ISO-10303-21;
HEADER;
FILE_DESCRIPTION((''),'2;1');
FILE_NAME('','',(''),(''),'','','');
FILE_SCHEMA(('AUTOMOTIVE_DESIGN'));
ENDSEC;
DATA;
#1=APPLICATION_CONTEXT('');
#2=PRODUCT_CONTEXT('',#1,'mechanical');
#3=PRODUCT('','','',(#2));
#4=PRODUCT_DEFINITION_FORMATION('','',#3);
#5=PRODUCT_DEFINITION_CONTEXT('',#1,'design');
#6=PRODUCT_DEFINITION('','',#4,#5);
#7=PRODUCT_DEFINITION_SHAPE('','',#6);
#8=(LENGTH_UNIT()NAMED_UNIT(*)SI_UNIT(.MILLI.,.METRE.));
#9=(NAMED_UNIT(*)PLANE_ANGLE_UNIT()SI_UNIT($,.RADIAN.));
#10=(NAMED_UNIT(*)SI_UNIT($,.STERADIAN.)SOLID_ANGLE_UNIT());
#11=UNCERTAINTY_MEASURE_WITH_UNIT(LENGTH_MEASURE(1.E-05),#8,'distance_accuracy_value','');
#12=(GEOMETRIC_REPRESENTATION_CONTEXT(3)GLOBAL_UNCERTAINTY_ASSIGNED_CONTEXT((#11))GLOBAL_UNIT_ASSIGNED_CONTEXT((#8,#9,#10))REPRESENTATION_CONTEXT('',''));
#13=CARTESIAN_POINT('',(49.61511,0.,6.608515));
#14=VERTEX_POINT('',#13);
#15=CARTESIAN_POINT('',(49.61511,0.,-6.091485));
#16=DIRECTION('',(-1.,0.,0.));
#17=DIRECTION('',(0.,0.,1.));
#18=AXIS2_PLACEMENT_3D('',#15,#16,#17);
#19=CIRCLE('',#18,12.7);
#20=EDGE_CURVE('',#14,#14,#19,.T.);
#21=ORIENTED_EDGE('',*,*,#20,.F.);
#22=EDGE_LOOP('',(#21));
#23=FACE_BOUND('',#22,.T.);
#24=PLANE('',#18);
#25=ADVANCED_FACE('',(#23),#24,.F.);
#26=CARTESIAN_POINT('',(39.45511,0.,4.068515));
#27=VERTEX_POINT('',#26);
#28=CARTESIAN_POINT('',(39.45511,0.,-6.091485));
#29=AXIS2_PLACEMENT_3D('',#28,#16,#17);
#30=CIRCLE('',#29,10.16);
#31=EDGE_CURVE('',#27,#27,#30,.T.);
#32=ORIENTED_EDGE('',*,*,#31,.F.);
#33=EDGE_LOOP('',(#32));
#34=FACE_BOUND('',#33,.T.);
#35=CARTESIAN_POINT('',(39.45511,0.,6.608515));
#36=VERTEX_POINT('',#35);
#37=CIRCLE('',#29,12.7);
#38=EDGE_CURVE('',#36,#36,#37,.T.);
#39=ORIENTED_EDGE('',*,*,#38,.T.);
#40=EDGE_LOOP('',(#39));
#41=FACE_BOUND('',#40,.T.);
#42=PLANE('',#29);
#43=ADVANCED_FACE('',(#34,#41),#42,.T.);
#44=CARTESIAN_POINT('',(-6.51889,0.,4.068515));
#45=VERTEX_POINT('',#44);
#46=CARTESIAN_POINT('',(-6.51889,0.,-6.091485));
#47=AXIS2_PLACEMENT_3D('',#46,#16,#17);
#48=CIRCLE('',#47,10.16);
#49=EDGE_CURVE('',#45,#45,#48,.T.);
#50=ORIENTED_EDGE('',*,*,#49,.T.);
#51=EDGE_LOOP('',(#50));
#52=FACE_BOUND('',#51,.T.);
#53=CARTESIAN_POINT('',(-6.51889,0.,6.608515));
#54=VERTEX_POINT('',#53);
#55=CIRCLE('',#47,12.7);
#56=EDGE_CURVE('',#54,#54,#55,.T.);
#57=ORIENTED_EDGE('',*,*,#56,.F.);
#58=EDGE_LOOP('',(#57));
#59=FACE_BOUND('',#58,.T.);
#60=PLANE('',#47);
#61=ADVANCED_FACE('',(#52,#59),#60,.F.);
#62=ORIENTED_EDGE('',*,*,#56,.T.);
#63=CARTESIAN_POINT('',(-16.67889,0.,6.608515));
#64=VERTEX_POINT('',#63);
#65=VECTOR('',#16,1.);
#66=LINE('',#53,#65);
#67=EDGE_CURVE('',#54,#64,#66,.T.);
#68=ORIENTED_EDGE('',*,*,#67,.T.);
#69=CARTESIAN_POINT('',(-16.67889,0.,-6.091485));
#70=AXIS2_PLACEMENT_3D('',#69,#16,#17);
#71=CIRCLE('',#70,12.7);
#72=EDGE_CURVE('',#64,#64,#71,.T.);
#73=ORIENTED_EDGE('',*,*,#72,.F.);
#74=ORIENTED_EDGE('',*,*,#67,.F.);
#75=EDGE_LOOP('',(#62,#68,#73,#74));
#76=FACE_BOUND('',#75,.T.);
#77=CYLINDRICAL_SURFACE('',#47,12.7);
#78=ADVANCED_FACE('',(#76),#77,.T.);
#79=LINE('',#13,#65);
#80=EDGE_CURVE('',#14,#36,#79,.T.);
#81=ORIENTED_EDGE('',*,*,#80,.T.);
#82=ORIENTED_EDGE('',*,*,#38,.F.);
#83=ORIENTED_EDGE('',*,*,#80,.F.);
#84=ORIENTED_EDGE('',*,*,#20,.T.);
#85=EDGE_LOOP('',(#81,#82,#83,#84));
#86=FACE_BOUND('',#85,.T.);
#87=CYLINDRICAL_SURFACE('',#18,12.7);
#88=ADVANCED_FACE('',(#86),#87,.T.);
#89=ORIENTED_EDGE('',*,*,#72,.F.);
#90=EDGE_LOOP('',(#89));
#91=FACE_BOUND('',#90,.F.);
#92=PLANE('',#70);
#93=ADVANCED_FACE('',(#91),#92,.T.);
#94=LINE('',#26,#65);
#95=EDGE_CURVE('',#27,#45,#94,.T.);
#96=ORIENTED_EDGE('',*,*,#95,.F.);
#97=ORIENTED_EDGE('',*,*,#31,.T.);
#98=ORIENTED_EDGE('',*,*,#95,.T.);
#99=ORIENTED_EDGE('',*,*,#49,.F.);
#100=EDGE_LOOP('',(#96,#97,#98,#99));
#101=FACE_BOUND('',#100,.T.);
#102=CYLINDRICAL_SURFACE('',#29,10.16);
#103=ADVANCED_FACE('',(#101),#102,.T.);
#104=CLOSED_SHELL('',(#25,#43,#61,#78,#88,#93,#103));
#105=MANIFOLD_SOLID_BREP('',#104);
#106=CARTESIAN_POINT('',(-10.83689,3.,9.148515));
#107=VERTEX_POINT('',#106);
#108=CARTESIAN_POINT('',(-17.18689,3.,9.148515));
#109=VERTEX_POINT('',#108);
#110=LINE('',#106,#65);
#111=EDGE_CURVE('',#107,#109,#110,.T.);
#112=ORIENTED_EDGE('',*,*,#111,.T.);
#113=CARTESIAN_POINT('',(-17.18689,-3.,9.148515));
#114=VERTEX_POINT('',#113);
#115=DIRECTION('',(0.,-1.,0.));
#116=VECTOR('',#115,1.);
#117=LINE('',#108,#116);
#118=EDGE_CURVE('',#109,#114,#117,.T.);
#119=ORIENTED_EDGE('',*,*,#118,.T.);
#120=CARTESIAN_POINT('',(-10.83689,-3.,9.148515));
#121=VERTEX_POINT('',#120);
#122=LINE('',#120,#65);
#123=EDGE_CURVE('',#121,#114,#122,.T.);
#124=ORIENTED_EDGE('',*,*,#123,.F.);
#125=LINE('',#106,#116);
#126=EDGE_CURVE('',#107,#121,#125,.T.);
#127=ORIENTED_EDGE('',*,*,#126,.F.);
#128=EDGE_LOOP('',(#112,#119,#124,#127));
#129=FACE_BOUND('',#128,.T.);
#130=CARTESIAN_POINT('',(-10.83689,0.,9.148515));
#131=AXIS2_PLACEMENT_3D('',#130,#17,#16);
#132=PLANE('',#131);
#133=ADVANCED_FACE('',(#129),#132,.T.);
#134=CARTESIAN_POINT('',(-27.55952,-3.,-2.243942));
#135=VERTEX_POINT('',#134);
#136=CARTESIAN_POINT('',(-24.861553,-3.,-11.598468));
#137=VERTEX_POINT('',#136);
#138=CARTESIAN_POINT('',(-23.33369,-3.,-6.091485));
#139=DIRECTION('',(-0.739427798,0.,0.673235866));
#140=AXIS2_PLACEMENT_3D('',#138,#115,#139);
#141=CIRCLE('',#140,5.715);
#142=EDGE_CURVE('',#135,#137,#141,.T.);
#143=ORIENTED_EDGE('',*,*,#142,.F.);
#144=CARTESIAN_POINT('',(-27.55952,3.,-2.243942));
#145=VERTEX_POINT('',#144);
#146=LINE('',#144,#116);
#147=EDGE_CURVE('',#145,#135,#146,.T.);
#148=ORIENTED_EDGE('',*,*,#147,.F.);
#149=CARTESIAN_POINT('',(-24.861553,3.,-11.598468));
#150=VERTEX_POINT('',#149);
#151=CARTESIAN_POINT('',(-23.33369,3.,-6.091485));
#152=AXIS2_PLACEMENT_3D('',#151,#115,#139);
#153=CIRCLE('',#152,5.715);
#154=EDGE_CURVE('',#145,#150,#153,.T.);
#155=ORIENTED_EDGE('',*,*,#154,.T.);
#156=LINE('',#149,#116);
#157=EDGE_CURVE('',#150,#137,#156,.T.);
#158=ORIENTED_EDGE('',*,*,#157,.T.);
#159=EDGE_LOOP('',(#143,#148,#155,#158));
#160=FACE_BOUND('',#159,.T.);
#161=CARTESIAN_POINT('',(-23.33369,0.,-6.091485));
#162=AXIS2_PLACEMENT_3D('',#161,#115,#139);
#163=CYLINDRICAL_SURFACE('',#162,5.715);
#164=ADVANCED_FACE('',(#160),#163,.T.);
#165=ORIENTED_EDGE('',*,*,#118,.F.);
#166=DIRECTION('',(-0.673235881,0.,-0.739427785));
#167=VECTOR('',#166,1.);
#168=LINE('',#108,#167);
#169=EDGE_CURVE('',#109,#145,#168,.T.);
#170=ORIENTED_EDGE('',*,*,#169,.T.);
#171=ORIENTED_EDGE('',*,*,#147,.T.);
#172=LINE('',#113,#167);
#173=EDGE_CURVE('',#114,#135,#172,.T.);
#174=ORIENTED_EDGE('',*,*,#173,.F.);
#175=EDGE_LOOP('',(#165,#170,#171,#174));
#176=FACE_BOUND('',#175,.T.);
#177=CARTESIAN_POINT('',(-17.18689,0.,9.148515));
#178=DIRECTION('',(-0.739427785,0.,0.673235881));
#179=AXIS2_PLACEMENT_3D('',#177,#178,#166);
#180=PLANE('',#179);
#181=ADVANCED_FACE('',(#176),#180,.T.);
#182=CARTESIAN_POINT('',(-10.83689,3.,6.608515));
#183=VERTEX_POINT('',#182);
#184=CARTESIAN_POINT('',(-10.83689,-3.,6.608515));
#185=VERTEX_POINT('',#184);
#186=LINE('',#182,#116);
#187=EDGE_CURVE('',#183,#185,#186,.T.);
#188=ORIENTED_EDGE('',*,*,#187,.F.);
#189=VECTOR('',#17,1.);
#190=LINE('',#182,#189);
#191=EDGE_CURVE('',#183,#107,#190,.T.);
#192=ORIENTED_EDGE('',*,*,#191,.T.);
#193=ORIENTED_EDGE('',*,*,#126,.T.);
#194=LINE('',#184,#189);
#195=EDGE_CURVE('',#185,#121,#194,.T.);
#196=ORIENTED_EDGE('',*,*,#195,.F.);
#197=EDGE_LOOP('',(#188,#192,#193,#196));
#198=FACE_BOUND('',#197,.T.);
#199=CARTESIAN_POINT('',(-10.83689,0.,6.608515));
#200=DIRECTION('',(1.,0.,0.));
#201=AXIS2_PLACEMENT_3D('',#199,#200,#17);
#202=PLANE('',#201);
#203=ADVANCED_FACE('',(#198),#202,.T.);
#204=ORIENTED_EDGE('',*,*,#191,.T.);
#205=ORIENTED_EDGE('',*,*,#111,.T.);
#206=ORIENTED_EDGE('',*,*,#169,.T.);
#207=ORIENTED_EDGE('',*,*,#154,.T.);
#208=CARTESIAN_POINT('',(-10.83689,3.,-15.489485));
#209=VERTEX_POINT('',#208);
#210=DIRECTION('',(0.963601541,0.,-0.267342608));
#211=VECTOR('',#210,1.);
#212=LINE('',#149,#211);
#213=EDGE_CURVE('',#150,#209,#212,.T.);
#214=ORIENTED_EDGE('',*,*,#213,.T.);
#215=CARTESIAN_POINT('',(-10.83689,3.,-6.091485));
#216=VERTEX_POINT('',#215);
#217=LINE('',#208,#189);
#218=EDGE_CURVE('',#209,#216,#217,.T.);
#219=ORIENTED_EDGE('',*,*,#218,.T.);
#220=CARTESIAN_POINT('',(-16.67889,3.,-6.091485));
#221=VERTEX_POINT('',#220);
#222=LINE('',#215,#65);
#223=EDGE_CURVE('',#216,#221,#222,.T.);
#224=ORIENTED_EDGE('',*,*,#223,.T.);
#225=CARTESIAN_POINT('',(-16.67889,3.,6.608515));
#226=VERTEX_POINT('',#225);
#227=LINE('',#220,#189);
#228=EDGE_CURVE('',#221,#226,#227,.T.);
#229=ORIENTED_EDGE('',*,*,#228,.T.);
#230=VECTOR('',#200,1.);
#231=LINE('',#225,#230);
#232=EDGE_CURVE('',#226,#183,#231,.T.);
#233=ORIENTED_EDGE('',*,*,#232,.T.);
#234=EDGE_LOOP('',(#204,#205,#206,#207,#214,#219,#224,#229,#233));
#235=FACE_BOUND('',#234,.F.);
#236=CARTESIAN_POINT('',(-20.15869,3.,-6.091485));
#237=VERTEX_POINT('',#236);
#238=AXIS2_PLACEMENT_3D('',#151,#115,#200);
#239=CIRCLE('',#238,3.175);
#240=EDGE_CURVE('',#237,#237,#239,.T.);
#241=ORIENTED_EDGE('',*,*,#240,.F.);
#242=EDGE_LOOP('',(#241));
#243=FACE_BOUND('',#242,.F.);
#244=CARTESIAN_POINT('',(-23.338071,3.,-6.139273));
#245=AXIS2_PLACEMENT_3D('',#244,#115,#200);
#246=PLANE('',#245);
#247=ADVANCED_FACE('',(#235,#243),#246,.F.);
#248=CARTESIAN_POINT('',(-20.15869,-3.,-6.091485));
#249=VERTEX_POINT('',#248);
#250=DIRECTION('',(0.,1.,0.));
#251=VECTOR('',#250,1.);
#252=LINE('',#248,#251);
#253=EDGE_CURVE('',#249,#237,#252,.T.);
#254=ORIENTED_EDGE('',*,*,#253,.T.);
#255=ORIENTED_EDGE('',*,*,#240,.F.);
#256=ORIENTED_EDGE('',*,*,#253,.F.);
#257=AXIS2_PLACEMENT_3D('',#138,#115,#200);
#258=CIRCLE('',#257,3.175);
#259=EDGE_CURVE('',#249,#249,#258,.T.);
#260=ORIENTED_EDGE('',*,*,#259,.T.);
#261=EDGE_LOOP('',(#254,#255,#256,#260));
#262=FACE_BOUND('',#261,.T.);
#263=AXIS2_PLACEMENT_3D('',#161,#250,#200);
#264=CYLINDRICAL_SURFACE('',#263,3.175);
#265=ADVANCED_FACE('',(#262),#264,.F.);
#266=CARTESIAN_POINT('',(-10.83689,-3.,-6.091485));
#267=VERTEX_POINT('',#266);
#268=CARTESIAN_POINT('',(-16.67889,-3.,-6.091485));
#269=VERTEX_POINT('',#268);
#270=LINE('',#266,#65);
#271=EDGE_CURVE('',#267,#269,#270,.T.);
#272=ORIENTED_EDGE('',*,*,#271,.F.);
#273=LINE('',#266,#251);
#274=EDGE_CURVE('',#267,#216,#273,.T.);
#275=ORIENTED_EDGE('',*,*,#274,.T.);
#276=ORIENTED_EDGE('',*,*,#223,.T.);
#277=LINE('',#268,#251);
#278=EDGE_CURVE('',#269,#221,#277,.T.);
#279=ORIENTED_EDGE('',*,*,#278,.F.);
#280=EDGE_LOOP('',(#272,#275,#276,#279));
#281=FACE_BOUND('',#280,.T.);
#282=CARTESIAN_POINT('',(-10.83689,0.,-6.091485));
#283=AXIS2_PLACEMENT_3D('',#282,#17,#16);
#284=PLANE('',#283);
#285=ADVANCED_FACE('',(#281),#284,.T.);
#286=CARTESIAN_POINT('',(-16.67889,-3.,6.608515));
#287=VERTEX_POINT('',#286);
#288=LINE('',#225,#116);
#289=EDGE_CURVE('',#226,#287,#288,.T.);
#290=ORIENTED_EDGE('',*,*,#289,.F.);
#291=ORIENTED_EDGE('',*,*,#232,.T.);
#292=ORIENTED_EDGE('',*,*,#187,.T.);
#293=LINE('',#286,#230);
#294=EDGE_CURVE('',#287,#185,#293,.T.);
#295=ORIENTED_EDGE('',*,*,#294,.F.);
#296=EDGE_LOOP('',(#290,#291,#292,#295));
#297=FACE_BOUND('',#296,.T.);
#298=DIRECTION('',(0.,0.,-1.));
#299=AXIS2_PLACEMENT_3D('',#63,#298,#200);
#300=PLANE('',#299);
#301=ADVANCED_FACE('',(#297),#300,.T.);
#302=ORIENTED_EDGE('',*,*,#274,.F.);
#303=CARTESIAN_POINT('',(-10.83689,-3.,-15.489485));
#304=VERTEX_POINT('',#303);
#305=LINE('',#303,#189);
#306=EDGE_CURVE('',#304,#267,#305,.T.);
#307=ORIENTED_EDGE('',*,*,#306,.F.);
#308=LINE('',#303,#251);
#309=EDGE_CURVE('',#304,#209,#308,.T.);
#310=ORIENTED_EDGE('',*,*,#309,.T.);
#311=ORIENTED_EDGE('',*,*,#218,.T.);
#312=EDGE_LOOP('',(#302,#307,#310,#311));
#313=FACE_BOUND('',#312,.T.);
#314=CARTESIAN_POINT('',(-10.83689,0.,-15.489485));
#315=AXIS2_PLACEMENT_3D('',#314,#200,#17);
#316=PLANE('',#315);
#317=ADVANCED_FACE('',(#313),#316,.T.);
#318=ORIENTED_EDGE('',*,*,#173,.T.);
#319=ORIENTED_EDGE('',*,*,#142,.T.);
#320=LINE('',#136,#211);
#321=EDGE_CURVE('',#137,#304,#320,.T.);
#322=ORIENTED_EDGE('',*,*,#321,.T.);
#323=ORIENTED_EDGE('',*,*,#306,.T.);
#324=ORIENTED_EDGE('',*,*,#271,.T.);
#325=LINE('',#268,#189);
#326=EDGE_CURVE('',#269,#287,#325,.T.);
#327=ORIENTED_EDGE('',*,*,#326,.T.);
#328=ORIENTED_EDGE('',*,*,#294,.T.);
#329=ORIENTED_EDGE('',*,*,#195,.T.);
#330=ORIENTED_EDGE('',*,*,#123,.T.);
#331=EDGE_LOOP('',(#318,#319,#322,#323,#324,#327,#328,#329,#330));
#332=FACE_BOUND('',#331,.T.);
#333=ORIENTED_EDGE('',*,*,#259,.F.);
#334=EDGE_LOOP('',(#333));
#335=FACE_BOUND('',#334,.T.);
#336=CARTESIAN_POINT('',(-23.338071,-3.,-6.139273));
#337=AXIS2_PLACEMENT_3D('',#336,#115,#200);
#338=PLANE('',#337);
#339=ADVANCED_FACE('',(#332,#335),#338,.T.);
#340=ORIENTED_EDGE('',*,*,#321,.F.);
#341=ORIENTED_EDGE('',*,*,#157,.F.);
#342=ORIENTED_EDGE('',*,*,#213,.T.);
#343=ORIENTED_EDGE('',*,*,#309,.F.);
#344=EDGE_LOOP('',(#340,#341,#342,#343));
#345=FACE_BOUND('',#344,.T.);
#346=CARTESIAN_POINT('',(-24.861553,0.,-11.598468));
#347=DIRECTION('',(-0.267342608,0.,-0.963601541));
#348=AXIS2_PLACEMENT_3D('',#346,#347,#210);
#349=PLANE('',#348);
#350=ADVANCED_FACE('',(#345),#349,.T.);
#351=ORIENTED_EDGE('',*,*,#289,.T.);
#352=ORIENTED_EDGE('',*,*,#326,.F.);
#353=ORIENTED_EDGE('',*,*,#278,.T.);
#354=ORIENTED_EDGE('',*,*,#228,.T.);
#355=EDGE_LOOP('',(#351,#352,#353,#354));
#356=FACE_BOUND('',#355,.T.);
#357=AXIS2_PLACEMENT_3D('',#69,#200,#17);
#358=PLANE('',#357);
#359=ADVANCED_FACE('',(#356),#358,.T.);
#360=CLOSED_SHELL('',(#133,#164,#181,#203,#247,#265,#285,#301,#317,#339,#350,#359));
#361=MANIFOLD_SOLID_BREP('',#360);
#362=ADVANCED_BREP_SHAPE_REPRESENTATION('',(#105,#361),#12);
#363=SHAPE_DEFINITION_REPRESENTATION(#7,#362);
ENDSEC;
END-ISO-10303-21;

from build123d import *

# Parameters (mm, degrees)
F0_W     = 5.842
F0_H     = 12.7
F0_R     = 3.175
F2_DEPTH = 3


with BuildPart() as f1:
    # F0 (on Front) → F1 (revolve)
    with BuildSketch(Plane.XZ):
        Polygon((-10.83689, 6.608515), (-10.83689, -6.091485), (49.61511, -6.091485), (49.61511, 6.608515), (39.45511, 6.608515), (39.45511, 4.068515), (-6.51889, 4.068515), (-6.51889, 6.608515), align=None)
        with Locations((-13.75789, 0.258515)):
            Rectangle(F0_W, F0_H)
    revolve(axis=Axis((16.46811, 0, -6.091485), (-1, 0, 0)))


with BuildPart() as f2:
    # F0 (on Front) → F2 (new body, symmetric)
    with BuildSketch(Plane.XZ):
        with BuildLine():
            ThreePointArc((-24.861553, -11.598468), (-19.874681, -10.640824), (-17.61869, -6.091485))
            ThreePointArc((-17.61869, -6.091485), (-21.270851, -0.761765), (-27.55952, -2.243942))
            ThreePointArc((-27.55952, -2.243942), (-28.824868, -7.675212), (-24.861553, -11.598468))
        make_face()
        with Locations((-23.33369, -6.091485)):
            Circle(F0_R, mode=Mode.SUBTRACT)
        with BuildLine():
            Line((-17.61869, -6.091485), (-16.67889, -6.091485))
            Line((-16.67889, -6.091485), (-16.67889, 6.608515))
            Line((-16.67889, 6.608515), (-10.83689, 6.608515))
            Line((-10.83689, 6.608515), (-10.83689, 9.148515))
            Line((-10.83689, 9.148515), (-17.18689, 9.148515))
            Line((-17.18689, 9.148515), (-27.55952, -2.243942))
            ThreePointArc((-27.55952, -2.243942), (-21.270851, -0.761765), (-17.61869, -6.091485))
        make_face()
        with BuildLine():
            Line((-10.83689, -6.091485), (-16.67889, -6.091485))
            Line((-16.67889, -6.091485), (-17.61869, -6.091485))
            ThreePointArc((-17.61869, -6.091485), (-19.874681, -10.640824), (-24.861553, -11.598468))
            Line((-24.861553, -11.598468), (-10.83689, -15.489485))
            Line((-10.83689, -15.489485), (-10.83689, -6.091485))
        make_face()
    extrude(amount=F2_DEPTH, both=True)


solid = Compound([f1.part, f2.part])
